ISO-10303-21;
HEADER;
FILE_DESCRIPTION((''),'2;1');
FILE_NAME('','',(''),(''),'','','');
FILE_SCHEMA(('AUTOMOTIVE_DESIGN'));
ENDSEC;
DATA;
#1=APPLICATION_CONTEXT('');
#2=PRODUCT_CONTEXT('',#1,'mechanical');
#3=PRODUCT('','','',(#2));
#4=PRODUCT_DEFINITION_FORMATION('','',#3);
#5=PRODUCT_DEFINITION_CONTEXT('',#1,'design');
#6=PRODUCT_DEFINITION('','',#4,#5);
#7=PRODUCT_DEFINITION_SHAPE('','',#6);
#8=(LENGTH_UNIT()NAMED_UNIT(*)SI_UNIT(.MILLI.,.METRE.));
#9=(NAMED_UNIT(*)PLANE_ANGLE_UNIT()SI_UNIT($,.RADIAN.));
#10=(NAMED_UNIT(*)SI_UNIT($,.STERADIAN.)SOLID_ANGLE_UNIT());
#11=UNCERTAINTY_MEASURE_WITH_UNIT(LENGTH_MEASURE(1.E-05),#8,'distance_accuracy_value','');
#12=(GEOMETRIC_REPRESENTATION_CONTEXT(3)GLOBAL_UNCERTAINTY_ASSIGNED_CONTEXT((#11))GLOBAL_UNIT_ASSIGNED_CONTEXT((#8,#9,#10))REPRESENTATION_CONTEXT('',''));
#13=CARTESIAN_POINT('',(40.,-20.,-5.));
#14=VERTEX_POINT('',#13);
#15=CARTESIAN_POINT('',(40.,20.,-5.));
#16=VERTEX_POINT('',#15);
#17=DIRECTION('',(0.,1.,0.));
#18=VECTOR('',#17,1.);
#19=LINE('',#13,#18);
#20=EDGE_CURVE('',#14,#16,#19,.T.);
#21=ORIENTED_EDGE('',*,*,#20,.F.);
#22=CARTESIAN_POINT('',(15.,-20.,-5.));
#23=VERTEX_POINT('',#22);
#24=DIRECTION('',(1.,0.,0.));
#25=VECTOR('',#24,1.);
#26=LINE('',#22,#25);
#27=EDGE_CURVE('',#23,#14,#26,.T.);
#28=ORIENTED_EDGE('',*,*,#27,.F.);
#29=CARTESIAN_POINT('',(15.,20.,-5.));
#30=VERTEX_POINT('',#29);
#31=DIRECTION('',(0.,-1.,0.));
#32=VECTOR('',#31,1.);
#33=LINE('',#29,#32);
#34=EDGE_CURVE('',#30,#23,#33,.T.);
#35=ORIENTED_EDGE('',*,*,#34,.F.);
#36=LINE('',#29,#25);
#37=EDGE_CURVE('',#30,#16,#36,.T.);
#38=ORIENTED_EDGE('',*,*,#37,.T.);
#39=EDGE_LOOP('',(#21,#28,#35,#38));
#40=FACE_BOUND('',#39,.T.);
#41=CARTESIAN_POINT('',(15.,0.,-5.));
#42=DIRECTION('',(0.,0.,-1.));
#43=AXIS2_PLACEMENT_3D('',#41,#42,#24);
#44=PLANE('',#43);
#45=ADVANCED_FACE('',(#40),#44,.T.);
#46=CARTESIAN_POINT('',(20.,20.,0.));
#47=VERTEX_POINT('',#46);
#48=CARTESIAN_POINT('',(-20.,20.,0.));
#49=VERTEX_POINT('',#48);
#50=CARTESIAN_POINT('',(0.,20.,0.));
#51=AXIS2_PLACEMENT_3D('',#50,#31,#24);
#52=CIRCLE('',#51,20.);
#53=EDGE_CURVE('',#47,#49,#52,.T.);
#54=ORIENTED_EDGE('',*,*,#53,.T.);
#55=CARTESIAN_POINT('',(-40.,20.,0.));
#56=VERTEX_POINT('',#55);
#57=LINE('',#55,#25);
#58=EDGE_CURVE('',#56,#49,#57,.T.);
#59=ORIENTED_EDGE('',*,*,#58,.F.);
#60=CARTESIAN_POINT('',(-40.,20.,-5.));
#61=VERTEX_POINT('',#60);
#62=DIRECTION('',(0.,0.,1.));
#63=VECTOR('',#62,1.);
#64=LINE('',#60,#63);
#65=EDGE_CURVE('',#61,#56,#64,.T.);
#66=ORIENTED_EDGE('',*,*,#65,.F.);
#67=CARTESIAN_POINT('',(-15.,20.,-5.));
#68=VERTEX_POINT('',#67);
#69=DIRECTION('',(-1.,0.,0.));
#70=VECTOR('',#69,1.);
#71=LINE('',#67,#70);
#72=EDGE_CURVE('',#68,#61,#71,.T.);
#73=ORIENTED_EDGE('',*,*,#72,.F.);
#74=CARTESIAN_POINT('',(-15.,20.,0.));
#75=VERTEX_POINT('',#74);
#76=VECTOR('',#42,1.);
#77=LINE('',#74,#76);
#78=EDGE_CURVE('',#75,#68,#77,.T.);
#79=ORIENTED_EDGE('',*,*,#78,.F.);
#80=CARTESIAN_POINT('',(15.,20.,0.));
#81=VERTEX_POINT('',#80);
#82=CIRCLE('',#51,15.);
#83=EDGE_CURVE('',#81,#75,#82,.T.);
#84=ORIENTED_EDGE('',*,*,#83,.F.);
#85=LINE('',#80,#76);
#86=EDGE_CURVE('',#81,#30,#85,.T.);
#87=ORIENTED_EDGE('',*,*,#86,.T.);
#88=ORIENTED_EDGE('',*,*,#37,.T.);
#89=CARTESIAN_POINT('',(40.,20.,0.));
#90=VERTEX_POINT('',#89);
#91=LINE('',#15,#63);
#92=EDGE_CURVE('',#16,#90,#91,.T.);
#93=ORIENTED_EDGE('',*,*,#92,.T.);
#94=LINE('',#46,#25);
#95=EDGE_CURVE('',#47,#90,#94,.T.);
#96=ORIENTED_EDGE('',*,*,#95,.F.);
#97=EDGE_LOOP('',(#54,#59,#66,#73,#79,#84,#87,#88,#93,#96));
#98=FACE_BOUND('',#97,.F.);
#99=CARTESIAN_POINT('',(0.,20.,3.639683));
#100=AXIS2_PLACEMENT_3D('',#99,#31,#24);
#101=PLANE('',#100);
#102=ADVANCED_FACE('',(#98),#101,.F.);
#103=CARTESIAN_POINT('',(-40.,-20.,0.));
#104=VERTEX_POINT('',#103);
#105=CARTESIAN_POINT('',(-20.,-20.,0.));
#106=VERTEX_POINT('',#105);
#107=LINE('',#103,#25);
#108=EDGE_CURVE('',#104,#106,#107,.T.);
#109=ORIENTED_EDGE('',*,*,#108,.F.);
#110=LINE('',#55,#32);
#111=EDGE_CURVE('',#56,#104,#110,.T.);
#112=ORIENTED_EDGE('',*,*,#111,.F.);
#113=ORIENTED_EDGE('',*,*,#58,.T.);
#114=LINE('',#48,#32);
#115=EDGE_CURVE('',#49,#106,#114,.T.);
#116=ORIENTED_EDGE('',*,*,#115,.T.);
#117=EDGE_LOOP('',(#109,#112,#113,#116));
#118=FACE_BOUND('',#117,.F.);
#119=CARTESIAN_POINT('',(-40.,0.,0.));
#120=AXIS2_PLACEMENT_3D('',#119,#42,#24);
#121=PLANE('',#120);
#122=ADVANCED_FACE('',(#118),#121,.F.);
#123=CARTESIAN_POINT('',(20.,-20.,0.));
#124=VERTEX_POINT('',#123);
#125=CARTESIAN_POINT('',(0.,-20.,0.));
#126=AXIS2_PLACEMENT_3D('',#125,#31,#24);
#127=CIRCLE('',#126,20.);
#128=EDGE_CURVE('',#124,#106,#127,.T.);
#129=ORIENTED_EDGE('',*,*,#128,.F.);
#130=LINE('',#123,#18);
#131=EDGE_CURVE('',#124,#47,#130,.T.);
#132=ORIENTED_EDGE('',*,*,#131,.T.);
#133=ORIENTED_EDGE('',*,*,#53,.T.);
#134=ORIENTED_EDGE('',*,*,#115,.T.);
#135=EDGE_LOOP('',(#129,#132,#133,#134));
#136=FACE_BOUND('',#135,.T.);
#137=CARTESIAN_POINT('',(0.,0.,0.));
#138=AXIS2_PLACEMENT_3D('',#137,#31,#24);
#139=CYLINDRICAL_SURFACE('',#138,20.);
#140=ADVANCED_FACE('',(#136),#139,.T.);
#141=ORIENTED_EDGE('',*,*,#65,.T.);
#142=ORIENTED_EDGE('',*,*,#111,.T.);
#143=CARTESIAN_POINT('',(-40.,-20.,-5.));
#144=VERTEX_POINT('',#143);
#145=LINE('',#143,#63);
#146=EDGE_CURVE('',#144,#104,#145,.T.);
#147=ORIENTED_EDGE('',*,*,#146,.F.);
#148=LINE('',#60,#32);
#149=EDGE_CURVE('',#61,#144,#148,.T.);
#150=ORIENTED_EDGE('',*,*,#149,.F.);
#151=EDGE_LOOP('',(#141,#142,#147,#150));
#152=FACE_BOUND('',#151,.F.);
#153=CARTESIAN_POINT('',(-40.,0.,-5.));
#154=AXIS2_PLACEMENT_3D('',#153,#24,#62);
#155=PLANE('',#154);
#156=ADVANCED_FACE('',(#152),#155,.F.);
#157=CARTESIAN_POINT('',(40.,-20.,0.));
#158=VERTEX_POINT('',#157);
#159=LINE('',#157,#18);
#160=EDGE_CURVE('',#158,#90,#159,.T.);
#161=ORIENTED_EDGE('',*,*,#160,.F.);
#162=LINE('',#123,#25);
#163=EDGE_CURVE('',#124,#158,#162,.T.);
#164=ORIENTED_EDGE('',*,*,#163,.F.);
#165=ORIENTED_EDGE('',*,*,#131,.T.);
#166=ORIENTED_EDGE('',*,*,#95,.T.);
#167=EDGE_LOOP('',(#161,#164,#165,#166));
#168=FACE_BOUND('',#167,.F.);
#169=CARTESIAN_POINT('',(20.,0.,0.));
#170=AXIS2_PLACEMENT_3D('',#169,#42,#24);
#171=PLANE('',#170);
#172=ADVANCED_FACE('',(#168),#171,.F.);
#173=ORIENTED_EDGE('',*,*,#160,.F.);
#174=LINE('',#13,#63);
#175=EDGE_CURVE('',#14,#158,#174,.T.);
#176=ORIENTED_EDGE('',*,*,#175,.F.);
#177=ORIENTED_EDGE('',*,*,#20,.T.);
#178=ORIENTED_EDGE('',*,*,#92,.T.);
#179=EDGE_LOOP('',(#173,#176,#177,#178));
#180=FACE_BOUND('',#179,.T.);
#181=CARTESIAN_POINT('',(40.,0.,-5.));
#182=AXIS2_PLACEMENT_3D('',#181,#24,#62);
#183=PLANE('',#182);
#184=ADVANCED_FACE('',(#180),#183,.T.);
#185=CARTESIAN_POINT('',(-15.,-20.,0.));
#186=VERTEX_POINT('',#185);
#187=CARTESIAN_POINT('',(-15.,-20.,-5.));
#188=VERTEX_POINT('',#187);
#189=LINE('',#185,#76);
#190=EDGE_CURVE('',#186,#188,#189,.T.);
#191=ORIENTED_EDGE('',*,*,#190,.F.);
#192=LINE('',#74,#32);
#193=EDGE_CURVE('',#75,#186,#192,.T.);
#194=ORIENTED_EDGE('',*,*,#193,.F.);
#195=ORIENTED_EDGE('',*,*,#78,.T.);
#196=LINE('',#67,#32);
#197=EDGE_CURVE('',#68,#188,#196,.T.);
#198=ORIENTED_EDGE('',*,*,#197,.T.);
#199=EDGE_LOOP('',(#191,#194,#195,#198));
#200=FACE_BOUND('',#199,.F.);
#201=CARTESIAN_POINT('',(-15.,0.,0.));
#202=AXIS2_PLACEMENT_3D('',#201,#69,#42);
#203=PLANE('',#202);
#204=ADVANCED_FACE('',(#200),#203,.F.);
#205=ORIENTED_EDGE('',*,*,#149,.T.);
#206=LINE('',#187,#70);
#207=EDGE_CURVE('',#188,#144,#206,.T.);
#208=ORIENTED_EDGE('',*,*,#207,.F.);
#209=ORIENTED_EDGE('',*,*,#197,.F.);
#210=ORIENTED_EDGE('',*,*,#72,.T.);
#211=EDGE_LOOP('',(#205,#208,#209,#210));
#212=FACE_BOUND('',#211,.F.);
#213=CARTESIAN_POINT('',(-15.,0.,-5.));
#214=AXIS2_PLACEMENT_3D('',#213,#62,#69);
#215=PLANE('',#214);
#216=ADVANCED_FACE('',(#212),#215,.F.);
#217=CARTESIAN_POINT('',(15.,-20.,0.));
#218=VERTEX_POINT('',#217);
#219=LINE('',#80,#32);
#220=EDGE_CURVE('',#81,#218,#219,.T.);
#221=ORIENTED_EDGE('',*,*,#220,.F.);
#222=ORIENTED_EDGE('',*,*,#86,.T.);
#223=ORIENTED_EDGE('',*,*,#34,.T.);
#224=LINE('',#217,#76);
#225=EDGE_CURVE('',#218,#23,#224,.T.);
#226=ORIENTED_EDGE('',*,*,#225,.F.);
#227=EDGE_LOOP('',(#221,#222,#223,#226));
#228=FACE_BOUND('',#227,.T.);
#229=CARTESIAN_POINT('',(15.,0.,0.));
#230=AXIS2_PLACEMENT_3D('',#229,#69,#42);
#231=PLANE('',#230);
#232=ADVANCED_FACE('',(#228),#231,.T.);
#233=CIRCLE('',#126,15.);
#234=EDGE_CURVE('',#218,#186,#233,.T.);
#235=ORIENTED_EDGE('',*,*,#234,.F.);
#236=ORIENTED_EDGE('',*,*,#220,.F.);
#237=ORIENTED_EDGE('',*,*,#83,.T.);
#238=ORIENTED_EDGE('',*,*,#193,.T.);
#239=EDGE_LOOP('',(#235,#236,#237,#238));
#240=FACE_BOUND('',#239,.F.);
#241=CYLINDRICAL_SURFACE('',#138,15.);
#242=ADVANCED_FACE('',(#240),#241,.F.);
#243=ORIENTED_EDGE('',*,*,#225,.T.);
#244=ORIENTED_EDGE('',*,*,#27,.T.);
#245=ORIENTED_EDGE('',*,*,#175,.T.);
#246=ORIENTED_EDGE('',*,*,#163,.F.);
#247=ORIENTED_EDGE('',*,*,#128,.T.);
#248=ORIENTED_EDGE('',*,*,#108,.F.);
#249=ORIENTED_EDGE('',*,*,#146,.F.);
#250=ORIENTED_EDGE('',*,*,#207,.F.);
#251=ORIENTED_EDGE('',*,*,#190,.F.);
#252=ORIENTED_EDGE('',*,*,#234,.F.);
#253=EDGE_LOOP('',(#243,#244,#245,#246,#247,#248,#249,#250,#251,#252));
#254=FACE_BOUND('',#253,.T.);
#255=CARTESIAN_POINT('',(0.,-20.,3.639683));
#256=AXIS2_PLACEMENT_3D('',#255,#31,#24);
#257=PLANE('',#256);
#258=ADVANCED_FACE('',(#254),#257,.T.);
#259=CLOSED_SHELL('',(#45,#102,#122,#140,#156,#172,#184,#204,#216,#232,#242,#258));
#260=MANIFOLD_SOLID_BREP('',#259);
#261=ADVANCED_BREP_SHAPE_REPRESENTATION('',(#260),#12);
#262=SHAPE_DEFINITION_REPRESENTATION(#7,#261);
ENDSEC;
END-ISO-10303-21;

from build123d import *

# Parameters (mm, degrees)
PAD_DEPTH = 20


with BuildPart() as part:
    # Sketch → Pad (new body, symmetric)
    with BuildSketch(Plane.XZ):
        with BuildLine():
            ThreePointArc((20, 0), (0, 20), (-20, 0))
            Line((-40, 0), (-20, 0))
            Line((-40, -5), (-40, 0))
            Line((-15, -5), (-40, -5))
            Line((-15, 0), (-15, -5))
            ThreePointArc((15, 0), (0, 15), (-15, 0))
            Line((15, 0), (15, -5))
            Line((15, -5), (40, -5))
            Line((40, -5), (40, 0))
            Line((20, 0), (40, 0))
        make_face()
    extrude(amount=PAD_DEPTH, both=True)


solid = part.part
